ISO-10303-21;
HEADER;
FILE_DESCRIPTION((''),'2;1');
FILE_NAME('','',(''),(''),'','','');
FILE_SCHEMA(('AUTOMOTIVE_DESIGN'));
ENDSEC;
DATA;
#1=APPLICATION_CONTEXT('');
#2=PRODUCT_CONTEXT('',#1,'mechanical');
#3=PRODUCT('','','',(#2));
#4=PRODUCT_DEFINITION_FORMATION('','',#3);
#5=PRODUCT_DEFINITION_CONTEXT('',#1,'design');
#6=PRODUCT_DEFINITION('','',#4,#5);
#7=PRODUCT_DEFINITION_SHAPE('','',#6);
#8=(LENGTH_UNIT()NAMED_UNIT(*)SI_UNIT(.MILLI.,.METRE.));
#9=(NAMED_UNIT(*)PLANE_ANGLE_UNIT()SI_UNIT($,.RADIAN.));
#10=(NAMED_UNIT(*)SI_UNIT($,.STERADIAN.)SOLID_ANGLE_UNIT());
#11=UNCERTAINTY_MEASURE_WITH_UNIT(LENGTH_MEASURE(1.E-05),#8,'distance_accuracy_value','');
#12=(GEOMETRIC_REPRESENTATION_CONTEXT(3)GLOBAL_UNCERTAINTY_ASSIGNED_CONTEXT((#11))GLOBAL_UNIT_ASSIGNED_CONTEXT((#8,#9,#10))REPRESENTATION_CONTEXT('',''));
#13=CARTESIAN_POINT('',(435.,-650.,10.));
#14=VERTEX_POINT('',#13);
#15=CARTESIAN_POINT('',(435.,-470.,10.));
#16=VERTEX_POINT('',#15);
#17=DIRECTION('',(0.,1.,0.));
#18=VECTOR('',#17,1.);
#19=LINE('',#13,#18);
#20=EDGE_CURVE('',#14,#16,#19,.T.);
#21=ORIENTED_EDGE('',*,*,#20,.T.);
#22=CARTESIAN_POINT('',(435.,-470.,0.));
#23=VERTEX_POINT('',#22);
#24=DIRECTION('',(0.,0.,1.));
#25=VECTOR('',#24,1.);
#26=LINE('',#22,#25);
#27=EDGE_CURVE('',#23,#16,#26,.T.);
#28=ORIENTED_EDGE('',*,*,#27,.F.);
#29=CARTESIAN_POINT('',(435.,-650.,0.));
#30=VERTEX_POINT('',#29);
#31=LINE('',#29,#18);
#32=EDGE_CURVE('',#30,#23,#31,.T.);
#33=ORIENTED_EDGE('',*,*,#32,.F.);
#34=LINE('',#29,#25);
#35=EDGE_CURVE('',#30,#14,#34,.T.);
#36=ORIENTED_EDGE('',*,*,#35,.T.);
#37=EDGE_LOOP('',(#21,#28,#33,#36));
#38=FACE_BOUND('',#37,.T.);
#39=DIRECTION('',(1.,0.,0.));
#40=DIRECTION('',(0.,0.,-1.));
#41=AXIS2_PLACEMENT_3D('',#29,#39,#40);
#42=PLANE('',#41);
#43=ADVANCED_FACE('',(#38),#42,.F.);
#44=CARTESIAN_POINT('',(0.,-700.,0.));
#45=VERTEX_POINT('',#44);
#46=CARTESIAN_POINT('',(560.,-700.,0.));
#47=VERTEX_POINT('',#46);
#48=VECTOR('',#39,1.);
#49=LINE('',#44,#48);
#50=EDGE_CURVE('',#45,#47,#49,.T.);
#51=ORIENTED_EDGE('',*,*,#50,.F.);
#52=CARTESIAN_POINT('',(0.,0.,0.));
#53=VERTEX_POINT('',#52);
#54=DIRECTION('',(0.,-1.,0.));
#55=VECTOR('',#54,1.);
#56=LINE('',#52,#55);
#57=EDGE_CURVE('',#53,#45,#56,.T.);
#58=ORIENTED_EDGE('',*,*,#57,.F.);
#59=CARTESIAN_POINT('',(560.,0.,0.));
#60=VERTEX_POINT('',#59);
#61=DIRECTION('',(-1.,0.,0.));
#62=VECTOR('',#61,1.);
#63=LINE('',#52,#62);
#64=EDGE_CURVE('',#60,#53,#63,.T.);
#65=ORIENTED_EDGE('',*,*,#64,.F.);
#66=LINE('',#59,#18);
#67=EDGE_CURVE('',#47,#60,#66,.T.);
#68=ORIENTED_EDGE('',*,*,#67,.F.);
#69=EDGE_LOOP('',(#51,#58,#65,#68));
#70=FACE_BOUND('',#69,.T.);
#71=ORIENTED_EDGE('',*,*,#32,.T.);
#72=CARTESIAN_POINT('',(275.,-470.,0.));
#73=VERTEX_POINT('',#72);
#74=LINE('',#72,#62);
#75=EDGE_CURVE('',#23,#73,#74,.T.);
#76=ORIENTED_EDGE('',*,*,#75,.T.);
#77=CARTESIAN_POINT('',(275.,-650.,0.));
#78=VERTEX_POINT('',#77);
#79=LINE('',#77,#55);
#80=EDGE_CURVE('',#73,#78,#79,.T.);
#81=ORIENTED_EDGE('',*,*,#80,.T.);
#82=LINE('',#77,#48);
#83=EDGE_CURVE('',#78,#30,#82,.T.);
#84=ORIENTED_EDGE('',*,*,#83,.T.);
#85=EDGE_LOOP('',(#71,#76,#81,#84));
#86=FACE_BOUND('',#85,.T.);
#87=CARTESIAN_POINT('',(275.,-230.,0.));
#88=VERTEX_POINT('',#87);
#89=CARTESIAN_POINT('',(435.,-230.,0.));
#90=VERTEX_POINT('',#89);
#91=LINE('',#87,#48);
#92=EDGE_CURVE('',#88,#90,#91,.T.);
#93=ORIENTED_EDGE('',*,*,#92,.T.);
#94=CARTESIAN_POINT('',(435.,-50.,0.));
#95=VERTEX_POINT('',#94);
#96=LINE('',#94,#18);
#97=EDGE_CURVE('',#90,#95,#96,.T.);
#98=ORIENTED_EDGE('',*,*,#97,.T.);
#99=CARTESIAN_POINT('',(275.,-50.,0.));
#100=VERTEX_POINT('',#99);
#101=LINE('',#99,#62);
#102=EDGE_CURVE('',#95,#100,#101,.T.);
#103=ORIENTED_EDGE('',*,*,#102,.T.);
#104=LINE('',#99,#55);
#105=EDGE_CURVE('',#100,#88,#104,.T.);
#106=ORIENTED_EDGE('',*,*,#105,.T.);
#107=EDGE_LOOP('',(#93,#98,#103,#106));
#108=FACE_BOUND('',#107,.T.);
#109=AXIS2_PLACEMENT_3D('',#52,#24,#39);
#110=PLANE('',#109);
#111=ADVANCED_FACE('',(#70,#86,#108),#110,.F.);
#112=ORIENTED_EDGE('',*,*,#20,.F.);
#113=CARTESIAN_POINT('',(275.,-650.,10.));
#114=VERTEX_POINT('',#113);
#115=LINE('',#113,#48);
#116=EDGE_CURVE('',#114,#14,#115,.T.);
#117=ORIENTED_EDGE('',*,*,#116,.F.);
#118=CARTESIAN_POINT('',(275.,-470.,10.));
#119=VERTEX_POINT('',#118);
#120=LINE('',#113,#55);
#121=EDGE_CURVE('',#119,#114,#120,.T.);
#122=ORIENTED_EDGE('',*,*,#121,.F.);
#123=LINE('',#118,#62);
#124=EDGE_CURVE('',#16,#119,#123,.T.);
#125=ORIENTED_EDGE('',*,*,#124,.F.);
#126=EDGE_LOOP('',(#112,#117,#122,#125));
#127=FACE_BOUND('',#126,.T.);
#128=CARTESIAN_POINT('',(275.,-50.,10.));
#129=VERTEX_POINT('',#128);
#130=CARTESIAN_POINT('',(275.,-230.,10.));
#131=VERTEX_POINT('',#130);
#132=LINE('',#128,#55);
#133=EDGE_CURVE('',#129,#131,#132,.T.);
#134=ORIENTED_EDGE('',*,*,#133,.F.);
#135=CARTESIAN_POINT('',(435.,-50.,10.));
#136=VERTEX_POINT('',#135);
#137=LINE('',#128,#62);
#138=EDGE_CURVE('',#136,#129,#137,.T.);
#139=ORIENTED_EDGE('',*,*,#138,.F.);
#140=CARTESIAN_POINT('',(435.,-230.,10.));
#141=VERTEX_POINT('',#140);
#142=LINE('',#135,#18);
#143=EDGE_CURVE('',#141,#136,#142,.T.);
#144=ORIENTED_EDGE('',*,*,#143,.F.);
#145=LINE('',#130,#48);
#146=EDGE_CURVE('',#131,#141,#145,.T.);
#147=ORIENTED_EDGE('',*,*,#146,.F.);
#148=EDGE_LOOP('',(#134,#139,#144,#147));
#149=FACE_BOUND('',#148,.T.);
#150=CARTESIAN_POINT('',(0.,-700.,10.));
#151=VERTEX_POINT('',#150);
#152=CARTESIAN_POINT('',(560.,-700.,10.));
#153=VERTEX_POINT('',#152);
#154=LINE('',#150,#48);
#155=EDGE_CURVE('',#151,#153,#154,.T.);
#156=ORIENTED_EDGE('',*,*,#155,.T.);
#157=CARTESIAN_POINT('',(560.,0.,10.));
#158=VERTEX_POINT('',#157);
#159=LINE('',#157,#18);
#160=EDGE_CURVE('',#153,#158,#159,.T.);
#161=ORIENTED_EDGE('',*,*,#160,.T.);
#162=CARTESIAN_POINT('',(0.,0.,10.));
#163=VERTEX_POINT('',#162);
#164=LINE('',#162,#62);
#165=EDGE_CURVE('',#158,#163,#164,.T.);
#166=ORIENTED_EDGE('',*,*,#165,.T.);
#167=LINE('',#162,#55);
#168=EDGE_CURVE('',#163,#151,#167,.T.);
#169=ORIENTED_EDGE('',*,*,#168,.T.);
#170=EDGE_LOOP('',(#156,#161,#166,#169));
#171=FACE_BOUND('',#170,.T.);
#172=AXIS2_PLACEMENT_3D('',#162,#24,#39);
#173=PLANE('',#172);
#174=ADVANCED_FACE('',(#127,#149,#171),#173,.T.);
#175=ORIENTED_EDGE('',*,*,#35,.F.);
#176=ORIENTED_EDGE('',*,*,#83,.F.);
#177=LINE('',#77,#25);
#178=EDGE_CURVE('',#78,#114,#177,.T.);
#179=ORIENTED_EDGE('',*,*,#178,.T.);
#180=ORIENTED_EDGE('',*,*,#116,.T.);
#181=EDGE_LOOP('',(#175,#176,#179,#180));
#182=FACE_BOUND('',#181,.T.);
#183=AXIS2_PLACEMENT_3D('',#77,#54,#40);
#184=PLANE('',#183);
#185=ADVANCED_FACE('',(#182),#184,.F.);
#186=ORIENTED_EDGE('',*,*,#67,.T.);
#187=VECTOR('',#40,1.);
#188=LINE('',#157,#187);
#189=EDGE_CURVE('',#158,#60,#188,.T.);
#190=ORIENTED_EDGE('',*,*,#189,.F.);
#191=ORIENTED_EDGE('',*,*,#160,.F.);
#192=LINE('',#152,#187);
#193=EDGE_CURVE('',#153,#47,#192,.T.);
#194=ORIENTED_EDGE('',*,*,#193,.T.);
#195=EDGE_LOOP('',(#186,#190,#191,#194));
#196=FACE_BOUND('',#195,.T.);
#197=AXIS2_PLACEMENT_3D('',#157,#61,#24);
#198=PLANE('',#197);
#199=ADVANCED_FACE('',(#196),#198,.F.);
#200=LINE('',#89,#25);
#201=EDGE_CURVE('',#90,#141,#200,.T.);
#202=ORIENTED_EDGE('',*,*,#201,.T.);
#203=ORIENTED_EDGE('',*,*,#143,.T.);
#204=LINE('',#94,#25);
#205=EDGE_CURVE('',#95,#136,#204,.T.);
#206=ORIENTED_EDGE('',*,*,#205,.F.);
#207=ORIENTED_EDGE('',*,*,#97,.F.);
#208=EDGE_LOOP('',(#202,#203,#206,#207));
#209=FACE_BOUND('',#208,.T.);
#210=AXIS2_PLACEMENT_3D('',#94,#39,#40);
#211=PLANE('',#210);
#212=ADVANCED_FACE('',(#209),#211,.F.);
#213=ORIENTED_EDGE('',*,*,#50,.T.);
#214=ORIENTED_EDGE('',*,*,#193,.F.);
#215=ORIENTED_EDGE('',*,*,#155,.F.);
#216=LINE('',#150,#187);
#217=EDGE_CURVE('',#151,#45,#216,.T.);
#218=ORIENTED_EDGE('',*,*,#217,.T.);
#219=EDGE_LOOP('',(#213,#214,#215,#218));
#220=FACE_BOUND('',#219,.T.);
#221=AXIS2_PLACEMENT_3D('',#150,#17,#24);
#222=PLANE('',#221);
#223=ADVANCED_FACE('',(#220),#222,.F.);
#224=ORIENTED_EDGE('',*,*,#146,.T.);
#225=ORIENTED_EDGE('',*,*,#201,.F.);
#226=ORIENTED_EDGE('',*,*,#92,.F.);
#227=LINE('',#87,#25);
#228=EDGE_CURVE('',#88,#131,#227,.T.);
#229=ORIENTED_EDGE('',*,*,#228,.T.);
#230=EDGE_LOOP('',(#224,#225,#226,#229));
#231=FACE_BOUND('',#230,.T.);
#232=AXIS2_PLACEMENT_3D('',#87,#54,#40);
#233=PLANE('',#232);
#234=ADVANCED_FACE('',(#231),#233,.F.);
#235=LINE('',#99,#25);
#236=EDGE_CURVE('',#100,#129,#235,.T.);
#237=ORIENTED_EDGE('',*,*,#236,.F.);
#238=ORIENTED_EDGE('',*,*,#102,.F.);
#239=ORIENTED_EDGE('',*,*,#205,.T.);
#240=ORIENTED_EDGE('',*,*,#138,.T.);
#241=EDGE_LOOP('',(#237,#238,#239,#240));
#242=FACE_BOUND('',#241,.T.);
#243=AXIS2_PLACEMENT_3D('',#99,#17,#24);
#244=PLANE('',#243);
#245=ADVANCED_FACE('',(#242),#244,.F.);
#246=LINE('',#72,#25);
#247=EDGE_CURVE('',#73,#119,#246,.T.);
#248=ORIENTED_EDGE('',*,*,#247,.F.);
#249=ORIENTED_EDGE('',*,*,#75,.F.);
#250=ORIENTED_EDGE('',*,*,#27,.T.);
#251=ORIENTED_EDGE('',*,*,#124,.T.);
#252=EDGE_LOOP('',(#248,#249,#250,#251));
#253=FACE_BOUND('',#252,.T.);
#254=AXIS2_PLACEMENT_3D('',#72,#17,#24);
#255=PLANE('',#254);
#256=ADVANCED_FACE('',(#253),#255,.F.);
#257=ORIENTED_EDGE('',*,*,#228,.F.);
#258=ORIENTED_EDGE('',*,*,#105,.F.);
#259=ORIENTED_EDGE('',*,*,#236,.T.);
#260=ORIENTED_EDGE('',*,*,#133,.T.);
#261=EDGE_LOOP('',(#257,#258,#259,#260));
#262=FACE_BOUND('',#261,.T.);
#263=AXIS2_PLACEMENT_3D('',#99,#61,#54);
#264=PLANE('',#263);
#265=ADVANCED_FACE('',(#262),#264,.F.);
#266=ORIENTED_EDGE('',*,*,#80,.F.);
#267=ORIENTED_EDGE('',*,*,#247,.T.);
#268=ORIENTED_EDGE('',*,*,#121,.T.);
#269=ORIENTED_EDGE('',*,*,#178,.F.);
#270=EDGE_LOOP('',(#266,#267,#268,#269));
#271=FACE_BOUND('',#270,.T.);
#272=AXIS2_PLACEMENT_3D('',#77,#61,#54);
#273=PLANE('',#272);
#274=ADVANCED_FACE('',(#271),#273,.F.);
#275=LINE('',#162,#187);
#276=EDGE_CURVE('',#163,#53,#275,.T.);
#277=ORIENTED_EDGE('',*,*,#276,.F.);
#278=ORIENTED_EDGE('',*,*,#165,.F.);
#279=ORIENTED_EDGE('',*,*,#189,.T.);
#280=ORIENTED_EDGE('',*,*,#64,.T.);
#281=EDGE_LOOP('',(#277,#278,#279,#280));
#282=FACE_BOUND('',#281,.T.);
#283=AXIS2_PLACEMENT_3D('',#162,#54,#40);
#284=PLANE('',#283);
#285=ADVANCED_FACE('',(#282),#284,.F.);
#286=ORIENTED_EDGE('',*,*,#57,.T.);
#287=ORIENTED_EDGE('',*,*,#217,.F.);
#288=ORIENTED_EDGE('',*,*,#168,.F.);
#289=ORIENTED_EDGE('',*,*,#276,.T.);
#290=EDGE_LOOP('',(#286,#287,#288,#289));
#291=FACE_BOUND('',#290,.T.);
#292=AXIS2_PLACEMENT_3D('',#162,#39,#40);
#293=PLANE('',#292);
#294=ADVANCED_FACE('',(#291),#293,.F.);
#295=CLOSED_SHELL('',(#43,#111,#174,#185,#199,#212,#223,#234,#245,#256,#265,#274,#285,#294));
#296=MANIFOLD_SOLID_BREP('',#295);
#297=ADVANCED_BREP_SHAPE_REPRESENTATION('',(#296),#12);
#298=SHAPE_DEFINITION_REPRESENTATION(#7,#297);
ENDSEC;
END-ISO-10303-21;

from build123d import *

# Parameters (mm, degrees)
SKETCH_1_W          = 560
SKETCH_1_H          = 700
EXTRUDE_1_DEPTH     = 10
SKETCH_2_W          = 160
SKETCH_2_H          = 180
CUT_EXTRUDE_1_DEPTH = 10


with BuildPart() as part:
    # 草图1 → 凸台-拉伸1 (new body)
    with BuildSketch(Plane.XY):
        with Locations((280, -350)):
            Rectangle(SKETCH_1_W, SKETCH_1_H)
    extrude(amount=EXTRUDE_1_DEPTH)

    # 草图2 → 切除-拉伸1 (cut)
    with BuildSketch(Plane.XY.offset(10)):
        with Locations((355, -140)):
            Rectangle(SKETCH_2_W, SKETCH_2_H)
        with Locations((355, -560)):
            Rectangle(SKETCH_2_W, SKETCH_2_H)
    extrude(amount=-CUT_EXTRUDE_1_DEPTH, mode=Mode.SUBTRACT)


solid = part.part
